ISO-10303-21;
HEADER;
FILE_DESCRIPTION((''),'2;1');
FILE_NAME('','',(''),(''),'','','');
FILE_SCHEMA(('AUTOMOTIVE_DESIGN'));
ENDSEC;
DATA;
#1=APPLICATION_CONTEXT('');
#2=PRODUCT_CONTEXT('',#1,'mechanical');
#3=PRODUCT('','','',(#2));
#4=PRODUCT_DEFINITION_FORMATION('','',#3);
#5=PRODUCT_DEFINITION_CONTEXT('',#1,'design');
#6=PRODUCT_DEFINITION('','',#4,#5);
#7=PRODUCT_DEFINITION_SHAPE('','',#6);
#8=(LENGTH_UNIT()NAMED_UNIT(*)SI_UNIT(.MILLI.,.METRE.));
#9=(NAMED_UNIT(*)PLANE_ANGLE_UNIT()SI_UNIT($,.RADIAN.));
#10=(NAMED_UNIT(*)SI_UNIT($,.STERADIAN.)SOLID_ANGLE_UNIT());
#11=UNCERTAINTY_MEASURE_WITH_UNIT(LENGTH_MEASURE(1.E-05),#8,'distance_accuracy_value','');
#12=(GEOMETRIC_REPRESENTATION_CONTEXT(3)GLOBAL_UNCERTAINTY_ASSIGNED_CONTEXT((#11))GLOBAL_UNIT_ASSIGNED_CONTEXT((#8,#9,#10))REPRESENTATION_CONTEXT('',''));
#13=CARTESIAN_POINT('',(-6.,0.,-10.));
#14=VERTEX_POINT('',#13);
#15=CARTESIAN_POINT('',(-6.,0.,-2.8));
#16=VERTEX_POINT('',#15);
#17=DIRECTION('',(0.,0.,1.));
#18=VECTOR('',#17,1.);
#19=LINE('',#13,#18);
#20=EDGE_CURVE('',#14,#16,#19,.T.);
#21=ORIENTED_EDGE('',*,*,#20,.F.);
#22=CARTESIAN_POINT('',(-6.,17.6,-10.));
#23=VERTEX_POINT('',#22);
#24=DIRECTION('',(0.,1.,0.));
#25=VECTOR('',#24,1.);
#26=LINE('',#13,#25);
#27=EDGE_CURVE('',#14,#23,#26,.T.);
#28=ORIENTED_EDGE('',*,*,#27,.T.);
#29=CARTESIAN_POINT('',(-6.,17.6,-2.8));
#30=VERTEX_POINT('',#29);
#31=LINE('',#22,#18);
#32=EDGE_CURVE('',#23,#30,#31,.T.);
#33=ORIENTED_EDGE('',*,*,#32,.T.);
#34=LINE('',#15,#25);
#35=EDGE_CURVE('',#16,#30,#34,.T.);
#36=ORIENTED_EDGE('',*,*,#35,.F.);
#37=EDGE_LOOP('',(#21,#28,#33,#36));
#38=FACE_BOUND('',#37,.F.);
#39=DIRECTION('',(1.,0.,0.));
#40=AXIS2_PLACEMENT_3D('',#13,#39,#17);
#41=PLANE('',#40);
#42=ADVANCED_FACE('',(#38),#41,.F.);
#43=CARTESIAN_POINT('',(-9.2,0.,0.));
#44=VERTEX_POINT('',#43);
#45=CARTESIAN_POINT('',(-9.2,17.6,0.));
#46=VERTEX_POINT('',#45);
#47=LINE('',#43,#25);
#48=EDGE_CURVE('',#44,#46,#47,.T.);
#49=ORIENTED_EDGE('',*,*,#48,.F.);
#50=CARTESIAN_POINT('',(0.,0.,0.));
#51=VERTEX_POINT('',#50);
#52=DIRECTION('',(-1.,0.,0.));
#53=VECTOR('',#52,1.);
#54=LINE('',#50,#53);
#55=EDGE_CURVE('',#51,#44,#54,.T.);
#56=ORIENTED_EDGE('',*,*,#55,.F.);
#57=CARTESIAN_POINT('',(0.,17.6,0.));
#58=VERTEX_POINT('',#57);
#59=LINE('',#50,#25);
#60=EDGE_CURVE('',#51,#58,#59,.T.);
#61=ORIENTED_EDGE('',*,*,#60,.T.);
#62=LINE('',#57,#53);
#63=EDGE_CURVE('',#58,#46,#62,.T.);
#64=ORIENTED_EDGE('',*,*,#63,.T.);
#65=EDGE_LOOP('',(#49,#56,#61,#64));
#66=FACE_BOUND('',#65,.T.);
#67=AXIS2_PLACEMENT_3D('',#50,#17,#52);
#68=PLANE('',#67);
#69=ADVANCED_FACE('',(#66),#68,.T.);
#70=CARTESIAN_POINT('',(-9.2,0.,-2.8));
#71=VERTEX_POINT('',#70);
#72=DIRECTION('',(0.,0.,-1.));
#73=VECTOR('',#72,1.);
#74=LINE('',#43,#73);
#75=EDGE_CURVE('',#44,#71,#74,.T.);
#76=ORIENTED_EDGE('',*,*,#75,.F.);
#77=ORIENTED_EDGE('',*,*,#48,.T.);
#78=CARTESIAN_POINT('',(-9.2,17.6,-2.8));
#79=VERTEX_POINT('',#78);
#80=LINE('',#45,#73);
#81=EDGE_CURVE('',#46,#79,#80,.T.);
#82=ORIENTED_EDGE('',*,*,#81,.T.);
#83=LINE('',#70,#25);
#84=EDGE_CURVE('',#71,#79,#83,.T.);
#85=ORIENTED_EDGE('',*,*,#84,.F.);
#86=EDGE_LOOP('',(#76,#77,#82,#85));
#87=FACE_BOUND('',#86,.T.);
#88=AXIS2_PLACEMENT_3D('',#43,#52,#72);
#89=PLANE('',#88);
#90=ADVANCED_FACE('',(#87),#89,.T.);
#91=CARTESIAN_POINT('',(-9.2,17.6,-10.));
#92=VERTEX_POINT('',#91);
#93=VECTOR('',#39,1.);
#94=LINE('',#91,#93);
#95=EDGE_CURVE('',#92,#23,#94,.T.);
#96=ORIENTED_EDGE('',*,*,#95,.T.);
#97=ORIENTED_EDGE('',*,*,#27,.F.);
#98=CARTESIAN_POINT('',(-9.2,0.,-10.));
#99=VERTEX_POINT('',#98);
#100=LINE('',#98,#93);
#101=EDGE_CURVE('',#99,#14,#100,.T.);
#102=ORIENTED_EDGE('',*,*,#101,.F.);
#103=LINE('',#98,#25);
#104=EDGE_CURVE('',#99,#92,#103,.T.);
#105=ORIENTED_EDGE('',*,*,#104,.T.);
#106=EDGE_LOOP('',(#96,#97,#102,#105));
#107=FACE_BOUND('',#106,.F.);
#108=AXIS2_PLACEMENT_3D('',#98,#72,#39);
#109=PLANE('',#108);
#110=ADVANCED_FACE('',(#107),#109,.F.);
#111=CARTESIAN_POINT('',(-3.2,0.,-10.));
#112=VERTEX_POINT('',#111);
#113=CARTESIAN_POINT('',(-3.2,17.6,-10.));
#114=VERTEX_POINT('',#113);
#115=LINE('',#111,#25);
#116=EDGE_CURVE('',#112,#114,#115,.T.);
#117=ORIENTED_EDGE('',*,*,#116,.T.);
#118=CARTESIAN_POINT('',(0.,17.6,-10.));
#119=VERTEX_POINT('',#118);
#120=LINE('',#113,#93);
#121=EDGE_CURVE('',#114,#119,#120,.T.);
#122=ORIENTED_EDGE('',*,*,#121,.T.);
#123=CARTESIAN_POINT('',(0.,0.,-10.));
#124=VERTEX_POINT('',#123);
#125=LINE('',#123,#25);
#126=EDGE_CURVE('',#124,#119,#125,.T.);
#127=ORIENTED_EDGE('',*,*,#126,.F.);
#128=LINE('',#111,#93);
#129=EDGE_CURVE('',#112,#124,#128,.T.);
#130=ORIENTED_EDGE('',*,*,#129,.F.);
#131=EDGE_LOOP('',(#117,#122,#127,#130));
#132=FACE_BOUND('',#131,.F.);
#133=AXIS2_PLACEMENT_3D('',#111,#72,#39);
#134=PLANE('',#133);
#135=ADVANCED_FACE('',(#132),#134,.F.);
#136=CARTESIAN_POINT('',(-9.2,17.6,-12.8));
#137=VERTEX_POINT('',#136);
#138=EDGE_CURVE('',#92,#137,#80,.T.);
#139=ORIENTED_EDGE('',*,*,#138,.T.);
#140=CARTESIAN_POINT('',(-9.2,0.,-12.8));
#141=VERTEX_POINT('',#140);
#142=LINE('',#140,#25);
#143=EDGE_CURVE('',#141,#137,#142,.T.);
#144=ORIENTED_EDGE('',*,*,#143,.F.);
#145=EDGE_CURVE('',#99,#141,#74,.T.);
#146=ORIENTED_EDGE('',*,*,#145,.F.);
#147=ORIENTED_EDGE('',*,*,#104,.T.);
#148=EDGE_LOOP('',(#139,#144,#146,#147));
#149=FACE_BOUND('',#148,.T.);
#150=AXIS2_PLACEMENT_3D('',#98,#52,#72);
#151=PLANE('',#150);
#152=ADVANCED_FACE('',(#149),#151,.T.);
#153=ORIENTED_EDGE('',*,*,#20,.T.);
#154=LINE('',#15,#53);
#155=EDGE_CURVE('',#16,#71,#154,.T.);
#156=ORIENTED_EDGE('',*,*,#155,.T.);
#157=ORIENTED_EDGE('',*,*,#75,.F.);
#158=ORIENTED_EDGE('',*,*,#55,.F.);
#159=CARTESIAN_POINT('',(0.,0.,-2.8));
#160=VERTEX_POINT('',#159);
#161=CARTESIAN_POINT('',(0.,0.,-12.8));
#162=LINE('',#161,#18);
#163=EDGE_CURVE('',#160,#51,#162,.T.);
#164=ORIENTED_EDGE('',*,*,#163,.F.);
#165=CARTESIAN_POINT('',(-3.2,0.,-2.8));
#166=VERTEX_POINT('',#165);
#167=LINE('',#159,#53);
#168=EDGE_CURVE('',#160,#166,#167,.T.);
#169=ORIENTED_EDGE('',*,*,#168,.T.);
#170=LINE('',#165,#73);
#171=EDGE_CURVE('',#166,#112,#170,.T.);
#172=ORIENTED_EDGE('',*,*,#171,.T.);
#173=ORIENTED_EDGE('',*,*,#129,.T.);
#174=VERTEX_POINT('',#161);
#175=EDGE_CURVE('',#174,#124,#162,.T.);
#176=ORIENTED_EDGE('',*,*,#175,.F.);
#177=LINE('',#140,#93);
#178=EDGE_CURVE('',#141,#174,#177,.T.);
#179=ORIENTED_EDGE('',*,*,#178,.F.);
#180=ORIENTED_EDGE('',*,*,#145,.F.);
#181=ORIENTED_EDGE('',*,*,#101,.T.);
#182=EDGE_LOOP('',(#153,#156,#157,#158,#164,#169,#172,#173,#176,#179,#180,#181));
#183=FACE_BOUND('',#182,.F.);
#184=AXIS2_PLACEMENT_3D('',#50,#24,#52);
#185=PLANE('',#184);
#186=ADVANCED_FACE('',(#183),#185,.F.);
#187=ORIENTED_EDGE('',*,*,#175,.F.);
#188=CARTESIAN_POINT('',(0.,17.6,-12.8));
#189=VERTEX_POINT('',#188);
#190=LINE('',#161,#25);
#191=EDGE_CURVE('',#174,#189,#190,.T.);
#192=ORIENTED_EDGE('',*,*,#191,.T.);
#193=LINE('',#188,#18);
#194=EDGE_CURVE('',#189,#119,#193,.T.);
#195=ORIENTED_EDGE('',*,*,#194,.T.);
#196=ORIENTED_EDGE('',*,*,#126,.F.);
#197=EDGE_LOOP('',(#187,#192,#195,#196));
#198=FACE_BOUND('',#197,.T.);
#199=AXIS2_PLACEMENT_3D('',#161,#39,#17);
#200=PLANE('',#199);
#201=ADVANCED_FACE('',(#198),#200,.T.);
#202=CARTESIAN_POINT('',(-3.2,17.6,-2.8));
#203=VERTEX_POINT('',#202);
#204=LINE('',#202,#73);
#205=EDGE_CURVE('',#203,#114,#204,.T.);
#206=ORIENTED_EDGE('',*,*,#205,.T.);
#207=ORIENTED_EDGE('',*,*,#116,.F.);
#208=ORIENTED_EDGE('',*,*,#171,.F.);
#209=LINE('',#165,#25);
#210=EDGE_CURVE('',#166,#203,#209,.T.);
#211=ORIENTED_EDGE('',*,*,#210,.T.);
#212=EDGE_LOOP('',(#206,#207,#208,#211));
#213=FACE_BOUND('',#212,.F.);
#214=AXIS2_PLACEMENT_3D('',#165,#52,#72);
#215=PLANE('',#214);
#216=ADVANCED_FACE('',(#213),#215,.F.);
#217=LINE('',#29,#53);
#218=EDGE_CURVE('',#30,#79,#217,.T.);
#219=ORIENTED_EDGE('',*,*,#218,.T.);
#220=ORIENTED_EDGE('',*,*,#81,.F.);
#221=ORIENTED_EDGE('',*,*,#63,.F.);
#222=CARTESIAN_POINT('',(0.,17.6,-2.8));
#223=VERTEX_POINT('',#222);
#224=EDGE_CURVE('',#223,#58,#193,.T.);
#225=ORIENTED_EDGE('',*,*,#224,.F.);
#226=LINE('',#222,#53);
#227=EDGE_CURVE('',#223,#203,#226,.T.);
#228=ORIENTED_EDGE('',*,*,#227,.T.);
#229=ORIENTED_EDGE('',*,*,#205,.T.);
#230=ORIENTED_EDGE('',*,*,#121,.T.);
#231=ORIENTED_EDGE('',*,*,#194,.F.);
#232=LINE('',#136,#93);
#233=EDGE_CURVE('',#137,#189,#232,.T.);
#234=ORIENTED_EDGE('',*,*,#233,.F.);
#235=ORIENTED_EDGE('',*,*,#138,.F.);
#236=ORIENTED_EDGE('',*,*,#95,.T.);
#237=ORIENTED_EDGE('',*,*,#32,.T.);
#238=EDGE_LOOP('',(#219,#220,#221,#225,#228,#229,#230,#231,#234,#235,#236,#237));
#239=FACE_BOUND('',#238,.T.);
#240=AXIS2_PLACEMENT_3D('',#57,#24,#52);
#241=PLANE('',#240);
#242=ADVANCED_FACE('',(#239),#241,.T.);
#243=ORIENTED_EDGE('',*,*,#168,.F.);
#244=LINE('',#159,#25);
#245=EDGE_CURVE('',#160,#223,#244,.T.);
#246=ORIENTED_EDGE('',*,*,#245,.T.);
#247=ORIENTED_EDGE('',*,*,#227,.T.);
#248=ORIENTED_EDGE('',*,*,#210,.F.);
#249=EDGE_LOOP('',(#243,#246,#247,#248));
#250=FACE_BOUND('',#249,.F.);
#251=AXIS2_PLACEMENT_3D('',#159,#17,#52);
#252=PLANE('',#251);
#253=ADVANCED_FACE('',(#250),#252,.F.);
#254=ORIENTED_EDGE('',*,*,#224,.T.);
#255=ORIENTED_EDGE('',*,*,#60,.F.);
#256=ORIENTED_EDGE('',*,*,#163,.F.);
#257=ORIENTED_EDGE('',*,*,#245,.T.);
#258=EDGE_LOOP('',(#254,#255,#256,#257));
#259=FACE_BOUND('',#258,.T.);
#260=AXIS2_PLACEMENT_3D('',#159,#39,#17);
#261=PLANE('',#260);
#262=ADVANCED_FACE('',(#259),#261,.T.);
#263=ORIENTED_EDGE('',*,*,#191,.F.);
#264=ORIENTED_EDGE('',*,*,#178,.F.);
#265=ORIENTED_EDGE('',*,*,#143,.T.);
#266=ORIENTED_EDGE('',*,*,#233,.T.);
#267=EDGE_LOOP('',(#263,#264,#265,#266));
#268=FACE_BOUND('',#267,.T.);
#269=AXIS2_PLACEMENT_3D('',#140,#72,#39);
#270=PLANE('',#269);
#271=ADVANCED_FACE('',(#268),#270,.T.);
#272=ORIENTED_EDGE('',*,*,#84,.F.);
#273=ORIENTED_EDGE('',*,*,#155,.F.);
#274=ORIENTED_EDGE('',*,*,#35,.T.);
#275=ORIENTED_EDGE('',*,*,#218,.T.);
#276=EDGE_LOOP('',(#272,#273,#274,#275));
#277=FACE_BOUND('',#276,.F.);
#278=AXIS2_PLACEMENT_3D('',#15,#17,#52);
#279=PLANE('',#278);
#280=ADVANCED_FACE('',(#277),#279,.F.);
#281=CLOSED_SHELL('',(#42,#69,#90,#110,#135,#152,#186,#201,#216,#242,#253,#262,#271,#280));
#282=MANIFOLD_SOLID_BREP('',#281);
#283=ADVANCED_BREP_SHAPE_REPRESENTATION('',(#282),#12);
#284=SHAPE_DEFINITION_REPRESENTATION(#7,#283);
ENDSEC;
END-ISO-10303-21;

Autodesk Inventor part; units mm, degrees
ref_plane "YZ Plane" through (0, 0, 0) normal (1, 0, 0) x (0, 1, 0)
ref_plane "XZ Plane" through (0, 0, 0) normal (0, 1, 0) x (-1, 0, 0)
ref_plane "XY Plane" through (0, 0, 0) normal (0, 0, 1) x (1, 0, 0)
sketch "Sketch1" plane through (0, 0, 0) normal (0, 1, 0) x (-1, 0, 0)
  line L0 (0, 0) -> (9.2, 0)
  line L1 (9.2, 0) -> (9.2, -12.8)
  line L2 (9.2, -12.8) -> (0, -12.8)
  line L3 (0, -12.8) -> (0, 0)
  line L4 (9.2, -12.8) -> (9.2, -10)
  line L5 (9.2, -10) -> (6, -10)
  line L6 (6, -10) -> (6, -2.8)
  line L7 (6, -2.8) -> (9.2, -2.8)
  line L8 (9.2, -2.8) -> (9.2, -10)
  line L9 (0, 0) -> (0, -2.8)
  line L10 (0, -2.8) -> (3.2, -2.8)
  line L11 (3.2, -2.8) -> (3.2, -10)
  line L12 (3.2, -10) -> (0, -10)
  line L13 (0, -10) -> (0, -2.8)
  dimension "d0" = 9.2
  dimension "d1" = 12.8
  dimension "d2" = 2.8
  dimension "d3" = 3.2
  dimension "d4" = 7.2
  dimension "d5" = 3.2
extrude "Extrusion1" add sketch "Sketch1" along normal blind 17.6 contours L0 L1 L7 L6 L5 L2 L3 L12 L11 L10
properties part number "testh"
